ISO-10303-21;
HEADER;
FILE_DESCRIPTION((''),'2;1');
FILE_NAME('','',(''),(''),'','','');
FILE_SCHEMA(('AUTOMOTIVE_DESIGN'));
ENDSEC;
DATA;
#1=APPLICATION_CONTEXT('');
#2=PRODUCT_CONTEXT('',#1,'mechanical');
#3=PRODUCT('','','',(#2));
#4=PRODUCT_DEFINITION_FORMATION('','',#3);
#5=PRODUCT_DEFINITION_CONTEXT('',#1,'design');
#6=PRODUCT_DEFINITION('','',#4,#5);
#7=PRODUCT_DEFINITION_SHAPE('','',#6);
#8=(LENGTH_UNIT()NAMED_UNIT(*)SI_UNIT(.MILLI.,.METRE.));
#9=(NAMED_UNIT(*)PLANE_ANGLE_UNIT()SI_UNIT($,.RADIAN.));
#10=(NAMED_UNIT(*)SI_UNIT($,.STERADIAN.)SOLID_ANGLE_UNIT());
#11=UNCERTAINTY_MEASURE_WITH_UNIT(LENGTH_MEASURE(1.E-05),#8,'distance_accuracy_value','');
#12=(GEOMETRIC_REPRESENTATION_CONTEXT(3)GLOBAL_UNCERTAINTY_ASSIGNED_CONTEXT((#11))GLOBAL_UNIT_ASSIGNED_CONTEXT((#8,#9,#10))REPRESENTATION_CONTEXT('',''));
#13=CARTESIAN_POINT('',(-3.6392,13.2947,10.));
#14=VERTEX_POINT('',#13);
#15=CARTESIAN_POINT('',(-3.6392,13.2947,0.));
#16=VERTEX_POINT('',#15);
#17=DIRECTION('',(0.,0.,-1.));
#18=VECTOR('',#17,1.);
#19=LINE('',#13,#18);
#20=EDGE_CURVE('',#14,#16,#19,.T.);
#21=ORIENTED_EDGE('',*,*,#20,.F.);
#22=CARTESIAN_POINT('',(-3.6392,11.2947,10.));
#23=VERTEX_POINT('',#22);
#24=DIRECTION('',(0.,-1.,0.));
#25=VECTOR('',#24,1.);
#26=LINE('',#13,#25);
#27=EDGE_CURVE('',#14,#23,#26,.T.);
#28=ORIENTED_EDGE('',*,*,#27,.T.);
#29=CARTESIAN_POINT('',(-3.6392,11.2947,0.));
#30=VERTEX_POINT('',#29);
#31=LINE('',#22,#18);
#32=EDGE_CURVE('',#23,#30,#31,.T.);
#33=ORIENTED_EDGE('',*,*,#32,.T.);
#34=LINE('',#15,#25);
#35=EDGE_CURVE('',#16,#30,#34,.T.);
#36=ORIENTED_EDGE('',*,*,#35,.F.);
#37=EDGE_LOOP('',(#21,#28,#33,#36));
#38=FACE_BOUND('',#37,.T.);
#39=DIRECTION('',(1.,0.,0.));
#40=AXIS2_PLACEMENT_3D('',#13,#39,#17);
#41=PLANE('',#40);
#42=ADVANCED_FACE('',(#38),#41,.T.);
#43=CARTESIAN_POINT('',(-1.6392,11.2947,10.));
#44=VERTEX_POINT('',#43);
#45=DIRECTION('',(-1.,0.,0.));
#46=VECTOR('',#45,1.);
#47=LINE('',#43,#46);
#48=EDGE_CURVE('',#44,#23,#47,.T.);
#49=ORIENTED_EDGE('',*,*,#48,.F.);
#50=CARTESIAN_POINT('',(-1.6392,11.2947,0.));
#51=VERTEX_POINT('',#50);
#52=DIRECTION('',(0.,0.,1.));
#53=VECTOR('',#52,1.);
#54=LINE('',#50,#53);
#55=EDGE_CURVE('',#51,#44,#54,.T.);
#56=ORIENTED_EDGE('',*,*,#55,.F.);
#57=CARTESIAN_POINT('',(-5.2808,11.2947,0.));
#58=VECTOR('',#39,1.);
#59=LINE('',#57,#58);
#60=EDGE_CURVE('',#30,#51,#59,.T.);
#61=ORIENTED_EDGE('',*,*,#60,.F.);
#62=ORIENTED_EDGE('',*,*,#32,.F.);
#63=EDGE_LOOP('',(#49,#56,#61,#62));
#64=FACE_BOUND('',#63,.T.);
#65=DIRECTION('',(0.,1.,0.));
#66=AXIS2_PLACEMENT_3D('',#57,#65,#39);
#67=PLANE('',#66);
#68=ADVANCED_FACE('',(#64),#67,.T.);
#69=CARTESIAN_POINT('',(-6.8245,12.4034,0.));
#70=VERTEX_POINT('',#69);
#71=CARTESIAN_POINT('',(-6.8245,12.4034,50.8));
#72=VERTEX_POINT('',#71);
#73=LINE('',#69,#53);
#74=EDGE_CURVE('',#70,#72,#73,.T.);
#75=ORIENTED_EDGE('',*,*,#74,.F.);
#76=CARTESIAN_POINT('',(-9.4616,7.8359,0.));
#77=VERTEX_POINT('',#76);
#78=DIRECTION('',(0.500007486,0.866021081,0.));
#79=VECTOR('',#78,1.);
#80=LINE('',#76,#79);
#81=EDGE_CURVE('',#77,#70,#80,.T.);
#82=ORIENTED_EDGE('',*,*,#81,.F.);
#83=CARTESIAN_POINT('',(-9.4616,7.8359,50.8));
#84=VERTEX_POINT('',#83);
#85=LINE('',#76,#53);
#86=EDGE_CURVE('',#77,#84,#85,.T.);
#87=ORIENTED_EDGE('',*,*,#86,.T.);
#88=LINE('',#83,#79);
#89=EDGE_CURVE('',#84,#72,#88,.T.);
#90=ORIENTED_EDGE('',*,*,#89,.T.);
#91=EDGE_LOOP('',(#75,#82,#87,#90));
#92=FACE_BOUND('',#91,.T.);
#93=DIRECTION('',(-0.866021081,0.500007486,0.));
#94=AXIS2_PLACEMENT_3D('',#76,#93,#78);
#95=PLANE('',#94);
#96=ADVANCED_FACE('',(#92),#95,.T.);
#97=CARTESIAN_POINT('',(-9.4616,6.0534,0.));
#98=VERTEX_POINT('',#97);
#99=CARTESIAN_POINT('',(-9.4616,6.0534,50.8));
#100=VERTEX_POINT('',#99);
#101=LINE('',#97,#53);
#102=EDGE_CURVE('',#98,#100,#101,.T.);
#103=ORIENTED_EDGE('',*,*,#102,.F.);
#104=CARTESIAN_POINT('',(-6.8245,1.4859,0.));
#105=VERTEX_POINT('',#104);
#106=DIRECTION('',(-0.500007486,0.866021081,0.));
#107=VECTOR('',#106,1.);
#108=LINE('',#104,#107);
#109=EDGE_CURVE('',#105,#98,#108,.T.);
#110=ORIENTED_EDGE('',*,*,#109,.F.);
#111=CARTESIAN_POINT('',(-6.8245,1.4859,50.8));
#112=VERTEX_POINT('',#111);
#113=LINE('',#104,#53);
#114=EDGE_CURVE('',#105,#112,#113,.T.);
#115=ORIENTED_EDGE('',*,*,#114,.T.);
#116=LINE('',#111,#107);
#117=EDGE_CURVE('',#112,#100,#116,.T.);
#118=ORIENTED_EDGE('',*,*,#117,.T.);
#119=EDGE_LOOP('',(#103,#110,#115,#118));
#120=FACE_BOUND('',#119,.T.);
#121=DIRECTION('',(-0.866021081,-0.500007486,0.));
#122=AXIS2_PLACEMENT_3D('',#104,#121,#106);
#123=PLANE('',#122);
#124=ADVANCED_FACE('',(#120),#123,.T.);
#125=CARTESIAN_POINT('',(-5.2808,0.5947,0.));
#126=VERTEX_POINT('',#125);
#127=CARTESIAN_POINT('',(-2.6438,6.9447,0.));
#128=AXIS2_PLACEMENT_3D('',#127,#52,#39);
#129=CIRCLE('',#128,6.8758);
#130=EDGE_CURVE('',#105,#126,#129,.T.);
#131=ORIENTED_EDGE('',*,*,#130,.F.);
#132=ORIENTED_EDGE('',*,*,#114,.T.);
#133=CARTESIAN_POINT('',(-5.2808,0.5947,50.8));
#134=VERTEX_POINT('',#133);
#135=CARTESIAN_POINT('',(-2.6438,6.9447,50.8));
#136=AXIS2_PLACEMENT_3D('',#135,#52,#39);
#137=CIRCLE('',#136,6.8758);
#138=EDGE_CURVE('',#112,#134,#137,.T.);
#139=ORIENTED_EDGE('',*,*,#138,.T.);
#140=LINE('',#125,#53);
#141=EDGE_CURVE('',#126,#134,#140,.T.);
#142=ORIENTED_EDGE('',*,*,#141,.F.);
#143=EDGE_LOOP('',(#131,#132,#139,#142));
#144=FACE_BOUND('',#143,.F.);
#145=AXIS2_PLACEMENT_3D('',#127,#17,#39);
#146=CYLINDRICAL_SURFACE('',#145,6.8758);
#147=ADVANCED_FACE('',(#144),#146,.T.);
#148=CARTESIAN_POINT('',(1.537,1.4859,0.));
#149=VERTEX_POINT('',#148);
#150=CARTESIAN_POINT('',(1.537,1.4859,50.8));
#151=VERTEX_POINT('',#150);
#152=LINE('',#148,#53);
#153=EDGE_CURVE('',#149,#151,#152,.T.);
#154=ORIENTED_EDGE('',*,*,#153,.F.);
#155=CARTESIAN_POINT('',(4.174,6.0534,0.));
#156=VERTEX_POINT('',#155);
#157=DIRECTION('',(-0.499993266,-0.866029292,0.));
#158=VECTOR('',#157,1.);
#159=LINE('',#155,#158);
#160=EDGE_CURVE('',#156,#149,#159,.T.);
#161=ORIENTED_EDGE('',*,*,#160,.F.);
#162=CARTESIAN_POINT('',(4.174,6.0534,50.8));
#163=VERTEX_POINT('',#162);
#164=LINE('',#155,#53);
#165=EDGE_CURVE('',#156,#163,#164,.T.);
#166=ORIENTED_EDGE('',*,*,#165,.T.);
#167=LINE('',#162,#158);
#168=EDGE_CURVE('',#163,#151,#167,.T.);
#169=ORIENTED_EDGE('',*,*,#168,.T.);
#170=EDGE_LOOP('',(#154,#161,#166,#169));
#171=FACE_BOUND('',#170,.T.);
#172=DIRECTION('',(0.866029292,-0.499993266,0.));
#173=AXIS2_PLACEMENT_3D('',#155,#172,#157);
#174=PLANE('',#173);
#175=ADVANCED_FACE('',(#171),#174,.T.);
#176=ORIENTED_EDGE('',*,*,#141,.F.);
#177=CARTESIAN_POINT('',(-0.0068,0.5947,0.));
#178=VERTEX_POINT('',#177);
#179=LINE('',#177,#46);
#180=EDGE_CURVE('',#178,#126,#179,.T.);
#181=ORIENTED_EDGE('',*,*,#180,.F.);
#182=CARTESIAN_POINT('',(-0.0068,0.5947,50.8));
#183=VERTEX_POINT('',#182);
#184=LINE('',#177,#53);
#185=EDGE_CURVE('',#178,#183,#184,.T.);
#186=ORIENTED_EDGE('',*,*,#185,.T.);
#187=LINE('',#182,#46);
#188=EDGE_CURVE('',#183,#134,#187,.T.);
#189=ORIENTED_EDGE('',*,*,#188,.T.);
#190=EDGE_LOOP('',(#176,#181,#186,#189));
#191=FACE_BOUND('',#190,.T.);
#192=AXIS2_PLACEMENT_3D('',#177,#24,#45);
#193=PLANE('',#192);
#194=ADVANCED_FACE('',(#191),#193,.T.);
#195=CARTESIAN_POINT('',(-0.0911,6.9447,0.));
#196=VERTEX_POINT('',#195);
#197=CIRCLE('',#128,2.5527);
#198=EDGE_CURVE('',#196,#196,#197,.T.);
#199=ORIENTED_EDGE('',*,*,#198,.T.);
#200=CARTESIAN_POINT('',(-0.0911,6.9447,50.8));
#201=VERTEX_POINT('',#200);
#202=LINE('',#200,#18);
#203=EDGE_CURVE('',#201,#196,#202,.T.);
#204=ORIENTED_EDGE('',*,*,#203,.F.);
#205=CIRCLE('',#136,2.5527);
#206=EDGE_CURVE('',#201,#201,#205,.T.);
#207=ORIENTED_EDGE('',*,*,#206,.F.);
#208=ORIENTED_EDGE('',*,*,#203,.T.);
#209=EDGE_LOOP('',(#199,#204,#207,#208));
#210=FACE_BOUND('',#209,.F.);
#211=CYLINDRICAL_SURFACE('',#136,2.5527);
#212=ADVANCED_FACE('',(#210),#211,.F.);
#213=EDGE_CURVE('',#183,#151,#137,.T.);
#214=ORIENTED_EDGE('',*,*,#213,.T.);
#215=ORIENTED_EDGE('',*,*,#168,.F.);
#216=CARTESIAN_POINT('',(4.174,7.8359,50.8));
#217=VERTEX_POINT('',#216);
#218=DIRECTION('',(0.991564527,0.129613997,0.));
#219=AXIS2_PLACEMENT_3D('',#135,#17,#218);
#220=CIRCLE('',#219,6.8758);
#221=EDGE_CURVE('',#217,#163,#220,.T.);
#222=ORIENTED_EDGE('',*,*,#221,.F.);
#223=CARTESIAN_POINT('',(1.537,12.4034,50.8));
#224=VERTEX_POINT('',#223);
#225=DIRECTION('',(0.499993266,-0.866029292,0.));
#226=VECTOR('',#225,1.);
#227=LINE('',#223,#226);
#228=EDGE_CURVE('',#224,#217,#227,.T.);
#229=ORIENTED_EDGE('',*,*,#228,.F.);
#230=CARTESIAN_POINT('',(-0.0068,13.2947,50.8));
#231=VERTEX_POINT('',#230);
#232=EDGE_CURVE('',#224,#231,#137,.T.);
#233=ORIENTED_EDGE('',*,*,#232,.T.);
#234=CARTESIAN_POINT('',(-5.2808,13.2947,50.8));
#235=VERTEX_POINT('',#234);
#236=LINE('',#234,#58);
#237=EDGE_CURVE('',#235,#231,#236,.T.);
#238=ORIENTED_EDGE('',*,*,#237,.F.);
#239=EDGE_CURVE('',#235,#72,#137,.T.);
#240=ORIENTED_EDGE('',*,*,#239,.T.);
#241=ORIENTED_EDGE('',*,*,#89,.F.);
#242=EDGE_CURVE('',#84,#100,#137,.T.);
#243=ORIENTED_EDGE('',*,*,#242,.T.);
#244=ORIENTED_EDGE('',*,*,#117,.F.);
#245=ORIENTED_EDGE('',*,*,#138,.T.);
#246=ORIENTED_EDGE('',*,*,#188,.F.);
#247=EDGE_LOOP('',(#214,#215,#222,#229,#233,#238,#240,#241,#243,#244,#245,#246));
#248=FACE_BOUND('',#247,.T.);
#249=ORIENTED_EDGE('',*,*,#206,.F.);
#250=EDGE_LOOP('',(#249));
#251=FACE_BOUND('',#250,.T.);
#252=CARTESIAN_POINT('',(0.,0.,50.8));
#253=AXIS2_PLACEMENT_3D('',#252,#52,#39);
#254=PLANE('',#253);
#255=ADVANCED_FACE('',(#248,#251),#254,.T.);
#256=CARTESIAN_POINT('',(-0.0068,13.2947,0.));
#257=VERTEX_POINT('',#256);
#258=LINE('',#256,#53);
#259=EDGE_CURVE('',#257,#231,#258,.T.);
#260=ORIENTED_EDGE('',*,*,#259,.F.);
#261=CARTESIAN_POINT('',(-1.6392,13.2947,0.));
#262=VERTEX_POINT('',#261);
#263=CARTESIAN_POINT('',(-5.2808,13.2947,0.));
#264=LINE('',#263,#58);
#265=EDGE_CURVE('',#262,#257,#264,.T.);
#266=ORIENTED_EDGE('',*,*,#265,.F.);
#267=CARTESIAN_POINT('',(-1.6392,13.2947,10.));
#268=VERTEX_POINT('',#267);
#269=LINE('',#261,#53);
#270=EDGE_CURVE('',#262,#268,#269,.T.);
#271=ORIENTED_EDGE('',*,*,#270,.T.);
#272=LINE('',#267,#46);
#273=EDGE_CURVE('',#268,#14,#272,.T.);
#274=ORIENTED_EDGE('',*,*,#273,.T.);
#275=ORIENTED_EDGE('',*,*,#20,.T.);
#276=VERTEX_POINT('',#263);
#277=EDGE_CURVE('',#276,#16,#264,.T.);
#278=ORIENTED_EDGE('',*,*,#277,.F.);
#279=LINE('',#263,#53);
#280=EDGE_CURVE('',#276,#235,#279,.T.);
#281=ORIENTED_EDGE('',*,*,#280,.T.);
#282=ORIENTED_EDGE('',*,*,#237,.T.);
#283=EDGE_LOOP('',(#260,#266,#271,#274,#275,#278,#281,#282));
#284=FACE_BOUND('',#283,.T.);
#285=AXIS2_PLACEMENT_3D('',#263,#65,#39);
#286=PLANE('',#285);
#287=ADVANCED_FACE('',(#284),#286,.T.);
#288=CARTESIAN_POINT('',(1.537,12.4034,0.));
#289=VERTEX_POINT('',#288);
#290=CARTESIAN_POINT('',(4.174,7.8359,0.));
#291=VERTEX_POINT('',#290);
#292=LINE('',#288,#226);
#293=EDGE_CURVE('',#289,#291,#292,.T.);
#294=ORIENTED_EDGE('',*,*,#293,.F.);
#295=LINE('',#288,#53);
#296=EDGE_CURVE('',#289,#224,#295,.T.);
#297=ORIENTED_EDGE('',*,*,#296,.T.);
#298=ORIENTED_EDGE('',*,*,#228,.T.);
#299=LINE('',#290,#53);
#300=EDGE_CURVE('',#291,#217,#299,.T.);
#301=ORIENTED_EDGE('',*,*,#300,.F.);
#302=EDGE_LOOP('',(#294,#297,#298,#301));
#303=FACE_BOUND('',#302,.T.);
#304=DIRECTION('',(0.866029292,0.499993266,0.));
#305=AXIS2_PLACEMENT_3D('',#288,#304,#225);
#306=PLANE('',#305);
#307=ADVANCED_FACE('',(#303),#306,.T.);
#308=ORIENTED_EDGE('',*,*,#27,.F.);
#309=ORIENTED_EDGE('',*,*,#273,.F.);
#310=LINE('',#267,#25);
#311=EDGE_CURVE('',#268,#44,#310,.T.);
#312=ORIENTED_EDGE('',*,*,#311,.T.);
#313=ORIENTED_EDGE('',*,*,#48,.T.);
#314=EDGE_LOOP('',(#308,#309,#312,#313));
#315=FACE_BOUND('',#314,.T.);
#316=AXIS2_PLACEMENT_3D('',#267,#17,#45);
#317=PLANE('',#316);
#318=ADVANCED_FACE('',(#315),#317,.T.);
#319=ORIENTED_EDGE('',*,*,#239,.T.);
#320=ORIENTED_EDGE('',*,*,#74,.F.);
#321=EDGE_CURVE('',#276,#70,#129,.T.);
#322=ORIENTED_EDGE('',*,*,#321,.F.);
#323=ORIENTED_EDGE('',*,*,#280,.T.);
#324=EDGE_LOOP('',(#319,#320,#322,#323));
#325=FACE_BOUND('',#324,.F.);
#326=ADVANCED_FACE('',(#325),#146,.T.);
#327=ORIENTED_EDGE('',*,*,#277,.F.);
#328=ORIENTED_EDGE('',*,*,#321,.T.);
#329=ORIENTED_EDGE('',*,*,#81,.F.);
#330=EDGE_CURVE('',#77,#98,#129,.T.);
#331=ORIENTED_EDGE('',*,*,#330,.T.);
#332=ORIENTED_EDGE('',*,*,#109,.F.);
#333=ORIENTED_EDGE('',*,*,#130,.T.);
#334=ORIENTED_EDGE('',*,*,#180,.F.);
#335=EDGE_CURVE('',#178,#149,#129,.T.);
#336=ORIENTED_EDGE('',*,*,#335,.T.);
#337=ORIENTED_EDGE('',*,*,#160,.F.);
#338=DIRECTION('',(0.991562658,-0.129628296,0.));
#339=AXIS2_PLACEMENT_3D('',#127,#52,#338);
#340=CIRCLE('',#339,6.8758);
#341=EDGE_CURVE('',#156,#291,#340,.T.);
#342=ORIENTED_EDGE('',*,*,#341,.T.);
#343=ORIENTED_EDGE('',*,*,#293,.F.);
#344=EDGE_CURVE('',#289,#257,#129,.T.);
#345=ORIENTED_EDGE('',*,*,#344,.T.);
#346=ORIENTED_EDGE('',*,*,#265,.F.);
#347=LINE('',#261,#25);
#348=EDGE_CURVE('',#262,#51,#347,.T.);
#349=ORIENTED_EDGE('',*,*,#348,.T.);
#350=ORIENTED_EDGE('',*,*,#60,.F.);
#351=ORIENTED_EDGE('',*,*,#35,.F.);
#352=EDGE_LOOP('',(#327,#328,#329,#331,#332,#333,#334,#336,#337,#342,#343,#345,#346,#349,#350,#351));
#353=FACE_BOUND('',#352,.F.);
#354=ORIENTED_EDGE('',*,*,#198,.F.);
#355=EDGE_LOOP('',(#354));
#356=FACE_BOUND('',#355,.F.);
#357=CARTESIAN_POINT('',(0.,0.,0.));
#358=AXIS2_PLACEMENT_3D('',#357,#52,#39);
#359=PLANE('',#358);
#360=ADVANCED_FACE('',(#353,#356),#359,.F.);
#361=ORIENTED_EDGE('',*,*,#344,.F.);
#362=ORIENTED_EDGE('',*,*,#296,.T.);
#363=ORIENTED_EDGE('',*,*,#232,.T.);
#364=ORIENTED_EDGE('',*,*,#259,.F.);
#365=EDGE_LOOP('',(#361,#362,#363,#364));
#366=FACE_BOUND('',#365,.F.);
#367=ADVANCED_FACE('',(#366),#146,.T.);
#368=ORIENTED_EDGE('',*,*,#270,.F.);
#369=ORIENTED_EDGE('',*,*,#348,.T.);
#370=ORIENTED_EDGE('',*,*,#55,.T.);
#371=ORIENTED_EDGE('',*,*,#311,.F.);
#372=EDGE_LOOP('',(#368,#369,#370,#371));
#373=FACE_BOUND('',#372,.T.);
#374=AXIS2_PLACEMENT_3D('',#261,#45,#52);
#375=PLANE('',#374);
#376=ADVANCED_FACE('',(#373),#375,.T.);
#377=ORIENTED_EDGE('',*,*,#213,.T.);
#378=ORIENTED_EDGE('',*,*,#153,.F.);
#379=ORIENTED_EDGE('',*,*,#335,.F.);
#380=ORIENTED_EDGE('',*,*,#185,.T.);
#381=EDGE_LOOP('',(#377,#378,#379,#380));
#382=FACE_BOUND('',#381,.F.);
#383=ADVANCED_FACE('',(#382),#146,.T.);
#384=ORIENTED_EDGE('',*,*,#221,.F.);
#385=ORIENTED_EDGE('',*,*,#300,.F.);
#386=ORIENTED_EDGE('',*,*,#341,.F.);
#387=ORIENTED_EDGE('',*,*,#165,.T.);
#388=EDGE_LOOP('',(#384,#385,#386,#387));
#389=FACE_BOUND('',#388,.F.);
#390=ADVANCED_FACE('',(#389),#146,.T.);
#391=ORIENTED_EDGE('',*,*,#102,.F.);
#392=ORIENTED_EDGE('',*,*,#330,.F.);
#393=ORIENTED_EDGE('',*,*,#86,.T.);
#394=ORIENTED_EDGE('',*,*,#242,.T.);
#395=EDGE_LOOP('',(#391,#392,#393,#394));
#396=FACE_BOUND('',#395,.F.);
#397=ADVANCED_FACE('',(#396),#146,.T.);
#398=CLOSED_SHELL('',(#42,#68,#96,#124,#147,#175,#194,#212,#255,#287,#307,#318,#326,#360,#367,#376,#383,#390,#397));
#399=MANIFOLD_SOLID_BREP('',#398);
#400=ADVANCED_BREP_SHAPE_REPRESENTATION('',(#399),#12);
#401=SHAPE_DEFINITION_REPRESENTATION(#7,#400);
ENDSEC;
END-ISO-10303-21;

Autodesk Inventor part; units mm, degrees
ref_plane "YZ Plane" through (0, 0, 0) normal (1, 0, 0) x (0, 1, 0)
ref_plane "XZ Plane" through (0, 0, 0) normal (0, 1, 0) x (-1, 0, 0)
ref_plane "XY Plane" through (0, 0, 0) normal (0, 0, 1) x (1, 0, 0)
sketch "Sketch1" plane through (0, 0, 0) normal (0, 0, 1) x (1, 0, 0)
  circle A0 centre (-2.6438, 6.9447) radius 6.8758
  line L0 (-9.4616, 7.8359) -> (-6.8245, 12.4034)
  line L1 (-6.8245, 1.4859) -> (-9.4616, 6.0534)
  line L2 (-0.0068, 0.5947) -> (-5.2808, 0.5947)
  line L3 (4.174, 6.0534) -> (1.537, 1.4859)
  line L4 (1.537, 12.4034) -> (4.174, 7.8359)
  line L5 (-5.2808, 13.2947) -> (-0.0068, 13.2947)
  point P0 (0, 0)
  point P1 (1.537, 1.4859)
  dimension "d0" = 13.7516
  dimension "d4" = 360
extrude "Extrusion1" add sketch "Sketch1" along normal blind 50.8 contours A0 L3 L2 L1 L0 L5 L4
sketch "Sketch2" plane through (0, 0, 50.8) normal (0, 0, 1) x (1, 0, 0)
  circle A0 centre (-2.6438, 6.9447) radius 2.5527
  line L0 (-5.2808, 0.5947) -> (-0.0068, 0.5947) projected
  line L1 (-2.6438, 6.9447) -> (-5.2808, 0.5947) construction
  line L2 (-2.6438, 6.9447) -> (-0.0068, 0.5947) construction
  point P0 (0, 0)
  dimension "d8" = 5.1054
  dimension "d9" = 6.35
extrude "Extrusion2" cut sketch "Sketch2" against normal blind 50.8
sketch "Sketch3" plane through (-5.2808, 13.2947, 0) normal (0, 1, 0) x (1, 0, 0)
  line L0 (0, 0) -> (5.274, 0) projected
  line L1 (1.6416, 0) -> (3.6416, 0)
  line L2 (3.6416, 0) -> (3.6416, -10)
  line L3 (3.6416, -10) -> (1.6416, -10)
  line L4 (1.6416, -10) -> (1.6416, 0)
  line L5 (2.6416, -10) -> (2.6416, 0) construction
  line L6 (0, 0) -> (0, -50.8) projected
  line L7 (5.274, 0) -> (5.274, -50.8) projected
  point P0 (5.2808, 0)
  dimension "d12" = 2
  dimension "d13" = 10
  dimension "d14" = 2.6416
extrude "Extrusion3" cut sketch "Sketch3" against normal blind 2
equation "\"d6\" = d5"
equation "\"d10\" = d5"
equation "\"d5\" = 50.8"
properties part number "Thundershaft 2in"
